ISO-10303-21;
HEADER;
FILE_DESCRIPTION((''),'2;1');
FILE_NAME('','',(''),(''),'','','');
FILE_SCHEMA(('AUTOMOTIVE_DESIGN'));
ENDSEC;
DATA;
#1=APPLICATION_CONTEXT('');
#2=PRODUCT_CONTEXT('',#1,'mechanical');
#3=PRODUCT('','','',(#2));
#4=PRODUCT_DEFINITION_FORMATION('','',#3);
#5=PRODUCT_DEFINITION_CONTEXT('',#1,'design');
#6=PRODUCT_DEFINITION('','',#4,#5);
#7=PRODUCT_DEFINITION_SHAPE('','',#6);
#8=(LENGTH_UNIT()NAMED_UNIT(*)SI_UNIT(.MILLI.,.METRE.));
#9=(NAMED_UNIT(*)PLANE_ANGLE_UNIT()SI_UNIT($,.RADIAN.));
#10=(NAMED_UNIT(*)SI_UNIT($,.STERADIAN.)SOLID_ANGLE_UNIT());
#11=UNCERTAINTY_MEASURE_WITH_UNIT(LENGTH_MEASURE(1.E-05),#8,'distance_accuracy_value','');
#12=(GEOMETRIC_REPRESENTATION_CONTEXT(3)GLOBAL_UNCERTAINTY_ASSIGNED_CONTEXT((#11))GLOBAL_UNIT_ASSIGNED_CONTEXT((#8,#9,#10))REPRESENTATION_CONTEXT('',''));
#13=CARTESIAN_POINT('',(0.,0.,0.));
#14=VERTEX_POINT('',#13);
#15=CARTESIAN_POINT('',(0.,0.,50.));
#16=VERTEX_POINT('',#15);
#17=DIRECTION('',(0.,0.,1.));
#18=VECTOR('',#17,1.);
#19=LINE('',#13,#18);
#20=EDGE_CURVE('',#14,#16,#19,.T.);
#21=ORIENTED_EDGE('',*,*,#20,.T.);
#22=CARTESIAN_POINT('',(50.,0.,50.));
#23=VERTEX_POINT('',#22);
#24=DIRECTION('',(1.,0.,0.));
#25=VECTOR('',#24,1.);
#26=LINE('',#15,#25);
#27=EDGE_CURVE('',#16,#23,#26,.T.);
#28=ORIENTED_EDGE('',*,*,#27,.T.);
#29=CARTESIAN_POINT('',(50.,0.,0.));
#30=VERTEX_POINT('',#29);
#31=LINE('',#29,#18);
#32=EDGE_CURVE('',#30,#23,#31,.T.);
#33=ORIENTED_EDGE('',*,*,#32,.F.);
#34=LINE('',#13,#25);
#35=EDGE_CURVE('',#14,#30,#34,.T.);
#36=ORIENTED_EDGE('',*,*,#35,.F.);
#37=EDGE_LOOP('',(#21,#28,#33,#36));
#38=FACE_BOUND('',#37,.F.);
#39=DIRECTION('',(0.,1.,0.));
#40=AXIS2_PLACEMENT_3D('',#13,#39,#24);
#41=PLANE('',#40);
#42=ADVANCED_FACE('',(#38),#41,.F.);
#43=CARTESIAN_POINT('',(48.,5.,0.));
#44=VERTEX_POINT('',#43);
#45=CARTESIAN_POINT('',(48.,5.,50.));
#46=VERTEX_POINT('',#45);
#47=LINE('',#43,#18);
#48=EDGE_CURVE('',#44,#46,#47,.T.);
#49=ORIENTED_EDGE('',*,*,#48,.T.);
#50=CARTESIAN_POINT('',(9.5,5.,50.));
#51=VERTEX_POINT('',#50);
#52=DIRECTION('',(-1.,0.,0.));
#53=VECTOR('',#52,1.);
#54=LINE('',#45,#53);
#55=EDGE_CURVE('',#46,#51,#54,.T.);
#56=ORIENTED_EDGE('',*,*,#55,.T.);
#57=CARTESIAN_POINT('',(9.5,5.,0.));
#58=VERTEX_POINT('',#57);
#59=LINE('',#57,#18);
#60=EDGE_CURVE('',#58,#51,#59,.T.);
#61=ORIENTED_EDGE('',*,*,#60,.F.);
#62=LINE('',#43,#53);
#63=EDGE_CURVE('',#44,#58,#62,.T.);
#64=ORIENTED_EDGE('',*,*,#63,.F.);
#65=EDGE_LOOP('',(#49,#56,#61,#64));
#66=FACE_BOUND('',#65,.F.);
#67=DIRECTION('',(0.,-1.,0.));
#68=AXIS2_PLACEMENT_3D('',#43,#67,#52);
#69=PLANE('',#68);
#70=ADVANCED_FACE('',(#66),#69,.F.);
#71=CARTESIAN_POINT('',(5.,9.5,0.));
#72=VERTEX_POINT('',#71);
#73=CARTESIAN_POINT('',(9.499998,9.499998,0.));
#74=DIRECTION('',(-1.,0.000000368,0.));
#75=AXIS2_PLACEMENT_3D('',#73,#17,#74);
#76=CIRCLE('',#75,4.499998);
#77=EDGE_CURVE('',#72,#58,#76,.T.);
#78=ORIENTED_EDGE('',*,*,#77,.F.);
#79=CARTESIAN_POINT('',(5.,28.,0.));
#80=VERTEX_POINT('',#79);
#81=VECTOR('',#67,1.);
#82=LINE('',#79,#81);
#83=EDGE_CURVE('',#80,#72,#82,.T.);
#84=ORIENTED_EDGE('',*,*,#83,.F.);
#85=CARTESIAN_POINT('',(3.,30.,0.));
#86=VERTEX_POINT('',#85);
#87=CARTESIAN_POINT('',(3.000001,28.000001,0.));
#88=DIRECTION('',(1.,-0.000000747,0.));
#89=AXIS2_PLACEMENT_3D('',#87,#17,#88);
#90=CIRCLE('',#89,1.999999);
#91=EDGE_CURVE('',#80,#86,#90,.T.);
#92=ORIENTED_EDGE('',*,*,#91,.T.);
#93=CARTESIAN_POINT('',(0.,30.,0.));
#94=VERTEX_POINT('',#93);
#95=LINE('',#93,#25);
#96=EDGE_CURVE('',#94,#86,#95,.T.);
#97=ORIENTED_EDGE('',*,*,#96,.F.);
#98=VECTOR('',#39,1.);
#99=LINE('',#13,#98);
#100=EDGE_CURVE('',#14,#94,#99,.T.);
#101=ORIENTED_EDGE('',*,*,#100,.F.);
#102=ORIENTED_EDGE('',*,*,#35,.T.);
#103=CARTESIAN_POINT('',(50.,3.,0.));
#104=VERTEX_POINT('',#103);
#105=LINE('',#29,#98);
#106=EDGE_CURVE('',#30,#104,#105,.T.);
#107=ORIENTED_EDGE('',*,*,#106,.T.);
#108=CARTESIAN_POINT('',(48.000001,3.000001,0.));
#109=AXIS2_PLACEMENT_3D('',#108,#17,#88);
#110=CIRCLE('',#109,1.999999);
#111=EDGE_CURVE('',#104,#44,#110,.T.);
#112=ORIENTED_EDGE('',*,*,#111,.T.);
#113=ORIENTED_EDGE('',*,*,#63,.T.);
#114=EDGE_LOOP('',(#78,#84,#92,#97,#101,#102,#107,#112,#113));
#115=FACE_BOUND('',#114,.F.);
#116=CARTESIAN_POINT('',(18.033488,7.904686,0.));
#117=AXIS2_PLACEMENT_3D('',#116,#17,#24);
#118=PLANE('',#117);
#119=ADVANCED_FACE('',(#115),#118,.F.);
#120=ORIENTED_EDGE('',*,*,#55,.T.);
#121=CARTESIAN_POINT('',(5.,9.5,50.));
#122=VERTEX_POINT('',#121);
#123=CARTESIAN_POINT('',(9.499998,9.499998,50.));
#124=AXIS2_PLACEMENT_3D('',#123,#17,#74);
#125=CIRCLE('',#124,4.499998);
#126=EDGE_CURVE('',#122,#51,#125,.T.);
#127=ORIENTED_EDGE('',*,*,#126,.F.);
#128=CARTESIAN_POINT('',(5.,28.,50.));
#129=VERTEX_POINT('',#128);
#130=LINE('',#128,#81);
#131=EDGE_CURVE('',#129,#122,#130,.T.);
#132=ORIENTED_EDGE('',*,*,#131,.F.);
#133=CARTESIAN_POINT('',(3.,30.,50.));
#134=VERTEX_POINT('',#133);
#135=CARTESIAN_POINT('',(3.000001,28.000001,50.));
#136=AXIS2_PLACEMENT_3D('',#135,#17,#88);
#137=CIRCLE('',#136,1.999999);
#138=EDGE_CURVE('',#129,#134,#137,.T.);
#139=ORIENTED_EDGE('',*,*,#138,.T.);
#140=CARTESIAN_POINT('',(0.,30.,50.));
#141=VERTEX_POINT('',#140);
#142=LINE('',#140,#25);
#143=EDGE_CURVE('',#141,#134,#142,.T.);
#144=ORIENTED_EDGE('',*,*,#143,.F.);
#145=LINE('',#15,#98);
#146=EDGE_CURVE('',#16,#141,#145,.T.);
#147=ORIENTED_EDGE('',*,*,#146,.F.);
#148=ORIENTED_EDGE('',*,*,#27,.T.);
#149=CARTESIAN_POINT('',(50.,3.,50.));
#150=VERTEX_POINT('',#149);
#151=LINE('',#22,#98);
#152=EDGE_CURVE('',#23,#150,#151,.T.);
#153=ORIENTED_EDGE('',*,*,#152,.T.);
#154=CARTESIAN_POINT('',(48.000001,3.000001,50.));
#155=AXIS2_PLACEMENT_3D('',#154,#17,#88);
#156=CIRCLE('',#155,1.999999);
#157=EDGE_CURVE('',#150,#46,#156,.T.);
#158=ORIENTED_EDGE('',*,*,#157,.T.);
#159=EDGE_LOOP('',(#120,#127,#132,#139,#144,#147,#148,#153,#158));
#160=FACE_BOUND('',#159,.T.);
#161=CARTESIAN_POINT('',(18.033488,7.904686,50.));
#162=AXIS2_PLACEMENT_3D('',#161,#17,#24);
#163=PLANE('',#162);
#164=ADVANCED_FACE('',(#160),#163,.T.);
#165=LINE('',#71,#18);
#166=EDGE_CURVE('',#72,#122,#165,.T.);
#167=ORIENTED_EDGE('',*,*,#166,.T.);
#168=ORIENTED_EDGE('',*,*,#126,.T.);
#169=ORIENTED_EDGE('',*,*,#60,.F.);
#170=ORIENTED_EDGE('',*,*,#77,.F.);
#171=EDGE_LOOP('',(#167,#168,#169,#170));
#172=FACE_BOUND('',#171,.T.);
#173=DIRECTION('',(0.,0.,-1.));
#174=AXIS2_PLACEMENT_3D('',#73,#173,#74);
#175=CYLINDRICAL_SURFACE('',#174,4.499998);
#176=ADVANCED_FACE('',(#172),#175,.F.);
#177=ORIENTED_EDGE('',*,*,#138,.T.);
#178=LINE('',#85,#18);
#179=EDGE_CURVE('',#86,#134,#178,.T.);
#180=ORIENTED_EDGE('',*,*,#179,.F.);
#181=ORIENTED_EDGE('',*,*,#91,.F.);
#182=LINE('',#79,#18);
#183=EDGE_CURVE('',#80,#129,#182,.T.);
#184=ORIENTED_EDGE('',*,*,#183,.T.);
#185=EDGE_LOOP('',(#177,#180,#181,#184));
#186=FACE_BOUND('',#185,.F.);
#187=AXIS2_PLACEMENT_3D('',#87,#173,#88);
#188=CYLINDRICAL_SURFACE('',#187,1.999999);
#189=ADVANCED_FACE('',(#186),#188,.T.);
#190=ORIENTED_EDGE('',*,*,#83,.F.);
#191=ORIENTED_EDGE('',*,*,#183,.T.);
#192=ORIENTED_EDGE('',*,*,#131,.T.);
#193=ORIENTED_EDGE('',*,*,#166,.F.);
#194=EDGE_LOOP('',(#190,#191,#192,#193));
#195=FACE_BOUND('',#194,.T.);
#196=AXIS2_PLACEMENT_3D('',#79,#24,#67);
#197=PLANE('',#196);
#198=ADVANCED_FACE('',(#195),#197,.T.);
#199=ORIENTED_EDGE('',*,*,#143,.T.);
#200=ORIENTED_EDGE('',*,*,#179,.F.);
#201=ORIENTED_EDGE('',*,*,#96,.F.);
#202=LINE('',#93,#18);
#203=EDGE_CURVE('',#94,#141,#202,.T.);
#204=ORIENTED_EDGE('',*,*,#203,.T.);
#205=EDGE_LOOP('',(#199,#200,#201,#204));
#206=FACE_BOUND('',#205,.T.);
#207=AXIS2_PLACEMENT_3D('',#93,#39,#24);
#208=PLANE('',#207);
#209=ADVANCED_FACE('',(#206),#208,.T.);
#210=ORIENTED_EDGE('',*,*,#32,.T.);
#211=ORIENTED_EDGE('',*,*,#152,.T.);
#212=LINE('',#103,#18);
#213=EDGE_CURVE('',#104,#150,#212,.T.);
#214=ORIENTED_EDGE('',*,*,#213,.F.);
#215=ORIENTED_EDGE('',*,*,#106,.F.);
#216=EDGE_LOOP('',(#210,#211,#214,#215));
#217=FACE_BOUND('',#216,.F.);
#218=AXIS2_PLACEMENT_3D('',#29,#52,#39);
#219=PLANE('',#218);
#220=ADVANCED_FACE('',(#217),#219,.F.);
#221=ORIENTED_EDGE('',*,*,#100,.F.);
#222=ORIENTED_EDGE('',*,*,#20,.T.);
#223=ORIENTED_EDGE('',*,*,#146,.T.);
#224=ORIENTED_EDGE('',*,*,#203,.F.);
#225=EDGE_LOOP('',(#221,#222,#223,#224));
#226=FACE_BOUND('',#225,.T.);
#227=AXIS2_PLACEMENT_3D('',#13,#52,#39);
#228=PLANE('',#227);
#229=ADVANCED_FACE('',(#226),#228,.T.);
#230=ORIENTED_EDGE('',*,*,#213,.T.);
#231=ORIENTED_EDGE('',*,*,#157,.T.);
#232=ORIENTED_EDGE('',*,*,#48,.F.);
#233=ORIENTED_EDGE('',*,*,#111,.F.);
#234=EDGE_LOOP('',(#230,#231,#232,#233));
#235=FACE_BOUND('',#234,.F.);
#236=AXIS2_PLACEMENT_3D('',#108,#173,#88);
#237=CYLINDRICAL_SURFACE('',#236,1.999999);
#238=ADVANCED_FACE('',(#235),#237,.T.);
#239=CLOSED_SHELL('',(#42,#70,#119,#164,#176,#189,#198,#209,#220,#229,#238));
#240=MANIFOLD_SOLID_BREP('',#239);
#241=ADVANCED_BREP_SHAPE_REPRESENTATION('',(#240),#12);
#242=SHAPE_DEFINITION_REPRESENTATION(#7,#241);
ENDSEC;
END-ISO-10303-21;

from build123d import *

# Parameters (mm, degrees)
EXTRUDE_DEPTH = 50


with BuildPart() as part:
    # Sketch → Extrude (new body)
    with BuildSketch(Plane.XY):
        with BuildLine():
            Line((0, 0), (50, 0))
            Line((50, 0), (50, 3))
            ThreePointArc((50, 3), (49.414214, 4.414214), (48, 5))
            Line((48, 5), (9.5, 5))
            ThreePointArc((5, 9.5), (6.318019, 6.318019), (9.5, 5))
            Line((5, 28), (5, 9.5))
            ThreePointArc((5, 28), (4.414214, 29.414214), (3, 30))
            Line((0, 30), (3, 30))
            Line((0, 0), (0, 30))
        make_face()
    extrude(amount=EXTRUDE_DEPTH)


solid = part.part
